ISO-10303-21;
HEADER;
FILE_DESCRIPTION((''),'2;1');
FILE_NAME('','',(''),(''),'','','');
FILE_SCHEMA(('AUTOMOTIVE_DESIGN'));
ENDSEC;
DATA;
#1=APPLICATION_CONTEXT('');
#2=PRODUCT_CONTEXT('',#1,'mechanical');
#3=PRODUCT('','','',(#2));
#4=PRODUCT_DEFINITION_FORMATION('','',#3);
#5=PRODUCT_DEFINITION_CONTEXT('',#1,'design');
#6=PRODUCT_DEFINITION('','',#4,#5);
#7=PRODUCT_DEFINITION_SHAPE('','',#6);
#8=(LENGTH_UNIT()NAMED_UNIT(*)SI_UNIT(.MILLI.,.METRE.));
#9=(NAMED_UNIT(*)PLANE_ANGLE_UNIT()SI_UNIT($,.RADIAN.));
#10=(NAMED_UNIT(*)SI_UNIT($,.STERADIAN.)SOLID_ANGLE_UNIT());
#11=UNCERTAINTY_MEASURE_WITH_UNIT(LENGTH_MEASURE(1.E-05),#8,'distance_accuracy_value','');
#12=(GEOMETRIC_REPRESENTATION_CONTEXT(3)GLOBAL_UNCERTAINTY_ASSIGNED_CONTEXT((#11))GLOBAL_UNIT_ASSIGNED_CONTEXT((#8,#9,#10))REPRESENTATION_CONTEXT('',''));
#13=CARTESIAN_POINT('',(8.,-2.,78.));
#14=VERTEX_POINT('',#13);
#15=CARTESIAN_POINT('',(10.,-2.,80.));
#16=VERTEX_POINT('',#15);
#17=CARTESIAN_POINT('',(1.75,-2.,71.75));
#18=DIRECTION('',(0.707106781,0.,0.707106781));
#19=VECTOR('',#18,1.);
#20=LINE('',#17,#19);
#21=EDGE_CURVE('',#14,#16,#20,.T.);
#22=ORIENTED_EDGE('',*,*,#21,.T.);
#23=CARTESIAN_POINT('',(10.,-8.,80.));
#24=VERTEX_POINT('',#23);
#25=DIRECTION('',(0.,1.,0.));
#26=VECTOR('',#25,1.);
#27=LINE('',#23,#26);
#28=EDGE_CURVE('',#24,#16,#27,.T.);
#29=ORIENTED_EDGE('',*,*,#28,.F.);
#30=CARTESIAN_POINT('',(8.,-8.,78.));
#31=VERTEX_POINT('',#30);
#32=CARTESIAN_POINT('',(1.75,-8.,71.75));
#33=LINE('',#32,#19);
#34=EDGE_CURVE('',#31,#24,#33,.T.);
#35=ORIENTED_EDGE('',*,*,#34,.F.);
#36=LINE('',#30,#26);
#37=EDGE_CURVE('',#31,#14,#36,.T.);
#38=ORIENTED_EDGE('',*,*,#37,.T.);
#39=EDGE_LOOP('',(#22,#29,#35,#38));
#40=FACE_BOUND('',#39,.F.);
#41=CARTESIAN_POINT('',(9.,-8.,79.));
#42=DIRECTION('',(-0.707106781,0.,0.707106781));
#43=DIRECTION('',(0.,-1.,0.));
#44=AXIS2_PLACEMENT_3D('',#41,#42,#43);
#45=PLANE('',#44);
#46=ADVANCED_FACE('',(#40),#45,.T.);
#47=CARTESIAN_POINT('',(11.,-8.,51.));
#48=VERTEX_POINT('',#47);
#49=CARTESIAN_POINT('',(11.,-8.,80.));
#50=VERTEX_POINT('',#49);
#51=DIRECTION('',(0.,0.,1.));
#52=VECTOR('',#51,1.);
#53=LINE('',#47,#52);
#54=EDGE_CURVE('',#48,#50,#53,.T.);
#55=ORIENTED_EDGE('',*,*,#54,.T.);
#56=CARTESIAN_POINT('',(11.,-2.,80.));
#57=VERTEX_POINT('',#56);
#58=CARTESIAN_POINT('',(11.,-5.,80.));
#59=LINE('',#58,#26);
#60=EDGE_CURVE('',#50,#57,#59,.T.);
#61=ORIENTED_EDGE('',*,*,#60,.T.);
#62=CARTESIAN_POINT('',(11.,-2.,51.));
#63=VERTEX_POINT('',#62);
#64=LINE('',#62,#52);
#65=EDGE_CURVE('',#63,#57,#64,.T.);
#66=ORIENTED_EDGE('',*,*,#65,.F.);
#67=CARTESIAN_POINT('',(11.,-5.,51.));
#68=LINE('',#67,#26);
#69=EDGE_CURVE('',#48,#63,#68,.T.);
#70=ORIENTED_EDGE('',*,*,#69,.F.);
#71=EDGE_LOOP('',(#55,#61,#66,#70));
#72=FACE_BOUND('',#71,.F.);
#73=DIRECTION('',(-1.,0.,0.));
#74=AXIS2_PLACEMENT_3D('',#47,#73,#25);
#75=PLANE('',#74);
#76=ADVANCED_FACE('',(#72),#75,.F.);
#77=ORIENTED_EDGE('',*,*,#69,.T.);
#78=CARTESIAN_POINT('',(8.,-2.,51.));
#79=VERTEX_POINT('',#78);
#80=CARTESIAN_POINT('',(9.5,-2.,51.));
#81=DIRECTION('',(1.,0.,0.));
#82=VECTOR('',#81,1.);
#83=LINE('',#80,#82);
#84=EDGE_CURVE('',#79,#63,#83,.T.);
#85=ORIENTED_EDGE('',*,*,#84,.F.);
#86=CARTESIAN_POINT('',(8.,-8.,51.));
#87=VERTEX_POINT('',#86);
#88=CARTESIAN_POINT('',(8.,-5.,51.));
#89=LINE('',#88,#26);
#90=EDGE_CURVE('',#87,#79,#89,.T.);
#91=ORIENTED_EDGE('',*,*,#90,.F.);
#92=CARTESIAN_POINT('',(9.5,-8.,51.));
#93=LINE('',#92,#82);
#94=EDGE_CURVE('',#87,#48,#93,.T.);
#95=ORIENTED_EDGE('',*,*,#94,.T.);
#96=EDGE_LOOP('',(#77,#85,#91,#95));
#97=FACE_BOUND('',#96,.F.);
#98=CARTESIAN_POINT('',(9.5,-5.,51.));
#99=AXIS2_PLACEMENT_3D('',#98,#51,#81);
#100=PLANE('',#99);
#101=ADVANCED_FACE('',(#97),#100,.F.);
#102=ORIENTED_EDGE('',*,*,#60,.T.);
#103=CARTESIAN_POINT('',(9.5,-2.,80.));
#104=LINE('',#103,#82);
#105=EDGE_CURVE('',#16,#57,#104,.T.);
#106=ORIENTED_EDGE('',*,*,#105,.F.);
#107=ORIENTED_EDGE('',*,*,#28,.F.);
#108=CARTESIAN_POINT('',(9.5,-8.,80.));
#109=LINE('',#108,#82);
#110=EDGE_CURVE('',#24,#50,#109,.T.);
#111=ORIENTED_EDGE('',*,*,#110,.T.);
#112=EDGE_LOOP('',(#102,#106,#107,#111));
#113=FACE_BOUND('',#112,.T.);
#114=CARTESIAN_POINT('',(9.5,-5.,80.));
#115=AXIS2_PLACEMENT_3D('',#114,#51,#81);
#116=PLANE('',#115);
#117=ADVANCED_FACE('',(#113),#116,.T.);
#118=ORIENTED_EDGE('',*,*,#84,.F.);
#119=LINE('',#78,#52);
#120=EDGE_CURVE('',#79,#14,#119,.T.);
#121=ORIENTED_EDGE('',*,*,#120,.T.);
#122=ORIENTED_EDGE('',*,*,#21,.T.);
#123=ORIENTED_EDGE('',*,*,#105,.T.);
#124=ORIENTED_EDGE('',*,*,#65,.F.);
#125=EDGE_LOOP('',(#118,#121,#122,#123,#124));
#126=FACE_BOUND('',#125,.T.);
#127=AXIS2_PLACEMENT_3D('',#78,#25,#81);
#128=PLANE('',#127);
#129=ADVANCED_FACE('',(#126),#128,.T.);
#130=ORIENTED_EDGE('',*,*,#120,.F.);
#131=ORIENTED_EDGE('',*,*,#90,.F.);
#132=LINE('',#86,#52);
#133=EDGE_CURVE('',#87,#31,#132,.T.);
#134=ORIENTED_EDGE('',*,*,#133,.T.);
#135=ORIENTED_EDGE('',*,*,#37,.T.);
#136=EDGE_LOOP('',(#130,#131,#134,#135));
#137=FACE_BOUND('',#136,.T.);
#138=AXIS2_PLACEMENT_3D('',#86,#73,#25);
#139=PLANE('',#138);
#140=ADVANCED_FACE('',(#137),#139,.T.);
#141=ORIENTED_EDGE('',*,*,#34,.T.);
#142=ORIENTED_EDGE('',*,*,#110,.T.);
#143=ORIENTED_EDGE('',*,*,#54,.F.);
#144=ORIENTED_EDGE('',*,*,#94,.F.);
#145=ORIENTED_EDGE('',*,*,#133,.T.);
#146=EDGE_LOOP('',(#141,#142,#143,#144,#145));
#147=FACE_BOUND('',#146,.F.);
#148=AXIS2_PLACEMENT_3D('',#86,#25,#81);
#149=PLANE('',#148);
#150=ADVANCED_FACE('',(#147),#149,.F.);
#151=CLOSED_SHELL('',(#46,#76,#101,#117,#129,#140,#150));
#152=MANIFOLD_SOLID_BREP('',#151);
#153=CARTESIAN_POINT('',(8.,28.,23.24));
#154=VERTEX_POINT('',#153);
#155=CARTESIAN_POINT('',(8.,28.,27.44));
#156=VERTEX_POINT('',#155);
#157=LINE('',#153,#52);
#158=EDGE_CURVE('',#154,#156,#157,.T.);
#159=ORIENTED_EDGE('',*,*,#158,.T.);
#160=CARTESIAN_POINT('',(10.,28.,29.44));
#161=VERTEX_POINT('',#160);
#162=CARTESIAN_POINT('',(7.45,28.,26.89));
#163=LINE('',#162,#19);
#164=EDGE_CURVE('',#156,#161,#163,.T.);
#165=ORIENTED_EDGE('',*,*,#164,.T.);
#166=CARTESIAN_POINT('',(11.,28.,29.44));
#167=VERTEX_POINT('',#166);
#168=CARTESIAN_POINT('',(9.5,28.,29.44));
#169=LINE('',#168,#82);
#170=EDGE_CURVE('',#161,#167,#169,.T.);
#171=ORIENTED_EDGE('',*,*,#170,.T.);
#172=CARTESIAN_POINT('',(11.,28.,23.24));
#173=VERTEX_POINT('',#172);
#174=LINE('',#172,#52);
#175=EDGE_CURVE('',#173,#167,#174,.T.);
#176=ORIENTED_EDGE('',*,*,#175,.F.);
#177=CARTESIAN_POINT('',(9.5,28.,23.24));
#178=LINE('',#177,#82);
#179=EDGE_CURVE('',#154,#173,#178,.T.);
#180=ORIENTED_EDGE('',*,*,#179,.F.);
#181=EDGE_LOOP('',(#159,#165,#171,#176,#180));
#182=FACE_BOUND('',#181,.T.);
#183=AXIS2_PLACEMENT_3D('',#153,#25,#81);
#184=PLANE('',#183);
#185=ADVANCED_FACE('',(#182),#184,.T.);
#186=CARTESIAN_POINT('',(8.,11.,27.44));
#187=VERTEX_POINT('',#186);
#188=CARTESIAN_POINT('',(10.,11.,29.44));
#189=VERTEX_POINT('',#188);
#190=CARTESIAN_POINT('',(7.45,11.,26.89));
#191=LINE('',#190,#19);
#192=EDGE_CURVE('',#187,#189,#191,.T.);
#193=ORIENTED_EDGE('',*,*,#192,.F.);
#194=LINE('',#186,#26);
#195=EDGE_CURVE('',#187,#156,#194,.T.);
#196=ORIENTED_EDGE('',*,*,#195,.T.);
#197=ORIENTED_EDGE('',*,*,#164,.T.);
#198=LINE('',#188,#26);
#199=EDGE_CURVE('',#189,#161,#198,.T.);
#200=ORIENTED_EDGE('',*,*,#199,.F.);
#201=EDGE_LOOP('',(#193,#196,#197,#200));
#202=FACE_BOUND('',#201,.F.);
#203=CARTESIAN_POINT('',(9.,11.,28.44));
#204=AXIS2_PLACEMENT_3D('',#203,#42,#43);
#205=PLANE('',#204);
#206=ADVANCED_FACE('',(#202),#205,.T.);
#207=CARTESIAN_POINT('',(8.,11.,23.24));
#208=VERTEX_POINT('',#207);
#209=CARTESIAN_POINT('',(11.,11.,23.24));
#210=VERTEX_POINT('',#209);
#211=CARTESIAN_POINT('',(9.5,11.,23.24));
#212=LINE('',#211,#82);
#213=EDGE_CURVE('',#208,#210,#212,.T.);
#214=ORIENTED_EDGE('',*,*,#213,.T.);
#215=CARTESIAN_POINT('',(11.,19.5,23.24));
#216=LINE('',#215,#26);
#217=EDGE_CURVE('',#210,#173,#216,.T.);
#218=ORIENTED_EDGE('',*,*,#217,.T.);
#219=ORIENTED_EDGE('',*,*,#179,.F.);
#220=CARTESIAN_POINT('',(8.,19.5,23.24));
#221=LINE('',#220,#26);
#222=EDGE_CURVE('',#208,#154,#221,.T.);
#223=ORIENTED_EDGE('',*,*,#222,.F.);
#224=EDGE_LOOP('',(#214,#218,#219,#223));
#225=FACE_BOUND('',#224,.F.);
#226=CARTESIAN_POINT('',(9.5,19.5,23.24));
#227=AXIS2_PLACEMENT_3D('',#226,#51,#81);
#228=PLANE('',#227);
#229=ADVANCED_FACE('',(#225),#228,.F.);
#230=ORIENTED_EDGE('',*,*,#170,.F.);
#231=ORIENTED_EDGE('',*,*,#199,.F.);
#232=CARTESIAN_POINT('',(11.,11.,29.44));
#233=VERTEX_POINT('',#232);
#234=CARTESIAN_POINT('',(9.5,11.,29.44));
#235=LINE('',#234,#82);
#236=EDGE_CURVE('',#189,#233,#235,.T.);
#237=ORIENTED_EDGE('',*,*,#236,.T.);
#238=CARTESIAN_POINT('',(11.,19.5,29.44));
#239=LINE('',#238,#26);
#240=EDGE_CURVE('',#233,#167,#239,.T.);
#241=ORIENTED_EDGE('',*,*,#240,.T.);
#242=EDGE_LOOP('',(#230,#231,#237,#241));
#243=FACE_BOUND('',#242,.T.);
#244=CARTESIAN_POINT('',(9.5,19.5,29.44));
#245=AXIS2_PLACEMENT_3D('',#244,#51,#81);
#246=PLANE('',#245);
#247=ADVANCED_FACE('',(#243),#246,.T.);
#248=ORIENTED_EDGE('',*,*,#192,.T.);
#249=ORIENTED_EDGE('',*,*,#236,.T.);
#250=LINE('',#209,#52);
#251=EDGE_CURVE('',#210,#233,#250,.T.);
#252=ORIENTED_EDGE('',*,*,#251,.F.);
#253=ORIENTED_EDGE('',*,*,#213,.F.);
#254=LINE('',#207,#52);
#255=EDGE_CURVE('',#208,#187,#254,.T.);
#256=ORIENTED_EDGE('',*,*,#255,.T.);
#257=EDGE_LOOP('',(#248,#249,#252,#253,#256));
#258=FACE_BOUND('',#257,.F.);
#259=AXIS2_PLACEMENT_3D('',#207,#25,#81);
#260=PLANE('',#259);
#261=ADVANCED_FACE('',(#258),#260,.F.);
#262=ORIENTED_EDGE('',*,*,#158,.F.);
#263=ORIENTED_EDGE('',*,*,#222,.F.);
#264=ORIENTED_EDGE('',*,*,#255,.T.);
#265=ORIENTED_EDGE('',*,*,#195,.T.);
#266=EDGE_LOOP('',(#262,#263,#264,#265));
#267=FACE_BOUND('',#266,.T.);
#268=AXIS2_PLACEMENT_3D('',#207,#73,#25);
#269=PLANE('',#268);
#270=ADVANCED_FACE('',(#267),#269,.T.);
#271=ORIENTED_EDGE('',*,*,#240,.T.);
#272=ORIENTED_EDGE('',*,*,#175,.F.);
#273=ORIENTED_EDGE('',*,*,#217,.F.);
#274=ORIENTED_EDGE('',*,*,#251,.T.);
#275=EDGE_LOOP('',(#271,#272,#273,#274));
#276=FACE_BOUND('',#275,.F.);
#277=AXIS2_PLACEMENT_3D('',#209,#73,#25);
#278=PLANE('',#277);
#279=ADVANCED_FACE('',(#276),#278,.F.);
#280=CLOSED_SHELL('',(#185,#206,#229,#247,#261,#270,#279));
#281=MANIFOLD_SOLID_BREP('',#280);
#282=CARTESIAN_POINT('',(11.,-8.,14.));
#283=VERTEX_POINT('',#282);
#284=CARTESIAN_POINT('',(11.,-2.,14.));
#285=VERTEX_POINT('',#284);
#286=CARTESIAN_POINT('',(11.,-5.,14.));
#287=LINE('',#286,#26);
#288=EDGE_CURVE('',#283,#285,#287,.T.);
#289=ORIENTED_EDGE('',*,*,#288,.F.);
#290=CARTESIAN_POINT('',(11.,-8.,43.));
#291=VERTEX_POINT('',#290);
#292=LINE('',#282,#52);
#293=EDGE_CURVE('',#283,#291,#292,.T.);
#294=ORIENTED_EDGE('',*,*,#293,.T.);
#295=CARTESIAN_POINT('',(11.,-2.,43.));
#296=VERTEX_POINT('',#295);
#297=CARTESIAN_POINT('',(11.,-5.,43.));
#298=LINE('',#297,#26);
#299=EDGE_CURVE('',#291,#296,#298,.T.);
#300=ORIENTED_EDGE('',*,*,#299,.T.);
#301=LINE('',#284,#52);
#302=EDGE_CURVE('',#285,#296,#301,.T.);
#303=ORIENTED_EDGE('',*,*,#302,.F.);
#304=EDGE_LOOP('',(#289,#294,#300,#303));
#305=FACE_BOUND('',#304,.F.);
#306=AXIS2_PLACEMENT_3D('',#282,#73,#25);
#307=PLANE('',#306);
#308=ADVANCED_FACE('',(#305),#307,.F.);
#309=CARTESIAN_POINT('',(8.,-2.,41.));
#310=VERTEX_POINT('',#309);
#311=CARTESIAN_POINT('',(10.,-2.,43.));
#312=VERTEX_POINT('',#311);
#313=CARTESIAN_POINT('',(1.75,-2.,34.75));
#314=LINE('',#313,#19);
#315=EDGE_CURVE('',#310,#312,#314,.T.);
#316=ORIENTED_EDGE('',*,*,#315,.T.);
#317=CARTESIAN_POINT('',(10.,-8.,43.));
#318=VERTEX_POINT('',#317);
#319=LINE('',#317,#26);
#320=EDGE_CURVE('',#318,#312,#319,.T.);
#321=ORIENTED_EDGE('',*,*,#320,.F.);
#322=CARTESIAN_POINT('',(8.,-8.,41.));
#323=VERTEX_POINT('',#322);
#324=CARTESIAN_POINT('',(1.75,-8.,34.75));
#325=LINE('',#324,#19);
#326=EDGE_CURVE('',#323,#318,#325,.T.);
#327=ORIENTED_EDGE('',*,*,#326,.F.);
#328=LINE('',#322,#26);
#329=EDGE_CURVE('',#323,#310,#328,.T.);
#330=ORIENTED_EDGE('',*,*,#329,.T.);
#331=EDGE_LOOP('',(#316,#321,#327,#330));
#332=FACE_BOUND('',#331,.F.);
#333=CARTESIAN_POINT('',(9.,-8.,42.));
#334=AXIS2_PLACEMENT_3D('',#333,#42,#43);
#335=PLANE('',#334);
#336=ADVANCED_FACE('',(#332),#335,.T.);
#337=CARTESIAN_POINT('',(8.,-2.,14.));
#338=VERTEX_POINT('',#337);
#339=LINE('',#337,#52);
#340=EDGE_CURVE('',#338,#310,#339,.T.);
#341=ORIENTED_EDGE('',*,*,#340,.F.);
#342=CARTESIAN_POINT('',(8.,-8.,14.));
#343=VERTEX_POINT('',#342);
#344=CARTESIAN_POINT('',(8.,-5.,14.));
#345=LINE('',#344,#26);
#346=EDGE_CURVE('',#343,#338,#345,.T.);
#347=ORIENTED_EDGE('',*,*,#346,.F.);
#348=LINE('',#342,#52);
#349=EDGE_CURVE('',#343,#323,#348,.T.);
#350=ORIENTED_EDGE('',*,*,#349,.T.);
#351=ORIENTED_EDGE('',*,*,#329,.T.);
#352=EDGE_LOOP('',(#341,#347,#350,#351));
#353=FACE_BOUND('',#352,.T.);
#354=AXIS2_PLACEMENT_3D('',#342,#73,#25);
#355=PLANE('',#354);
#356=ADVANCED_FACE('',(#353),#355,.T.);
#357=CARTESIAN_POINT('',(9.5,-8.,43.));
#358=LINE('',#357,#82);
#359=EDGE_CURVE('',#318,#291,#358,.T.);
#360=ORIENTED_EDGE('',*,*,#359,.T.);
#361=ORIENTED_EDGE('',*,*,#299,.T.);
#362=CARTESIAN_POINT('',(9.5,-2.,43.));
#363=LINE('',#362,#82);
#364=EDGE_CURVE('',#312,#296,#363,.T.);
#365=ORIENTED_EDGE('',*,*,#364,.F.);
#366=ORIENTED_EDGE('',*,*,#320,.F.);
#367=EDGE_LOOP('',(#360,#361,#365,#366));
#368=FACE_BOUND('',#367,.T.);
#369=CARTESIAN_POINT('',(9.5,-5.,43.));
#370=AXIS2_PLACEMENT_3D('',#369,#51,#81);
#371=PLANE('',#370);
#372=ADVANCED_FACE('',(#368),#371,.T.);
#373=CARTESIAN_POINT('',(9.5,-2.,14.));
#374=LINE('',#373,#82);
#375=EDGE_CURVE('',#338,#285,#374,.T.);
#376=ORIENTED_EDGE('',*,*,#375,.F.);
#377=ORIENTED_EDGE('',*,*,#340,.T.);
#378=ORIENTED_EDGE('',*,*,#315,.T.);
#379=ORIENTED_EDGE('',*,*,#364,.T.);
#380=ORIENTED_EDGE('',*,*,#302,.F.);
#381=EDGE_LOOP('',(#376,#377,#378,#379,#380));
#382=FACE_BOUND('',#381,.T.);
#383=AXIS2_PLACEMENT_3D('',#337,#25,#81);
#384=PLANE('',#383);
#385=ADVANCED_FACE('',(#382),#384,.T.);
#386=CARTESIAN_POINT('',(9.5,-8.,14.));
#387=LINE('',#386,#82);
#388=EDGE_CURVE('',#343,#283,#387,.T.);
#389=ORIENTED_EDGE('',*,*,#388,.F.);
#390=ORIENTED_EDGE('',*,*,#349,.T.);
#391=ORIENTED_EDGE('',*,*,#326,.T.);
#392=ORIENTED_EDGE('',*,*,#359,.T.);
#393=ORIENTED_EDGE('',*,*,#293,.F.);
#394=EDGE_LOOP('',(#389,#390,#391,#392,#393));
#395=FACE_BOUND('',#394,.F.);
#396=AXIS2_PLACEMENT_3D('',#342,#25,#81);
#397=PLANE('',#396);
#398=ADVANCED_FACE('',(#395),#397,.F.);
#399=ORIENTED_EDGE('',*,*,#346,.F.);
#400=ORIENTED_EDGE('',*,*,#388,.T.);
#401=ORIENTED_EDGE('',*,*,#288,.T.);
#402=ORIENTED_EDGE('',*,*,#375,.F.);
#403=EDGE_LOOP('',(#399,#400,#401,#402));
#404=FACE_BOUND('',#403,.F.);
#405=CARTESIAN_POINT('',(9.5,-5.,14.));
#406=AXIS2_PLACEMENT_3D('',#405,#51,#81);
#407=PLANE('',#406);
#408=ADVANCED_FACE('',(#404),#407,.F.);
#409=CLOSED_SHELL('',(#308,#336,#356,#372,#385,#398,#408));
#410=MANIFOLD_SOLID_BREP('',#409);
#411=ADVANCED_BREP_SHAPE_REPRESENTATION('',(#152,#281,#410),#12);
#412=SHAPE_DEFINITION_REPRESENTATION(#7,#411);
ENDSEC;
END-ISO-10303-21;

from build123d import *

# Parameters (mm, degrees)
BOX002_W        = 3
BOX002_H        = 17
BOX002_DEPTH    = 6.2
CHAMFER002_SIZE = 2
BOX_W           = 3
BOX_H           = 6
BOX_DEPTH       = 29
CHAMFER001_SIZE = 2
BOX001_W        = 3
BOX001_H        = 6
BOX001_DEPTH    = 29
CHAMFER_SIZE    = 2


with BuildPart() as chamfer002:
    # Box002 → Box002 (new body)
    with BuildSketch(Plane(origin=(8, 11, 23.24), x_dir=(1, 0, 0), z_dir=(0, 0, 1))):
        with Locations((1.5, 8.5)):
            Rectangle(BOX002_W, BOX002_H)
    extrude(amount=BOX002_DEPTH)

    # Chamfer002
    chamfer002_edges = [chamfer002.edges().sort_by_distance(p)[0] for p in [
        (8, 19.5, 29.44),
    ]]
    chamfer(chamfer002_edges, length=CHAMFER002_SIZE)


with BuildPart() as chamfer001:
    # Box → Box (new body)
    with BuildSketch(Plane(origin=(8, -8, 14), x_dir=(1, 0, 0), z_dir=(0, 0, 1))):
        with Locations((1.5, 3)):
            Rectangle(BOX_W, BOX_H)
    extrude(amount=BOX_DEPTH)

    # Chamfer001
    chamfer001_edges = [chamfer001.edges().sort_by_distance(p)[0] for p in [
        (8, -5, 43),
    ]]
    chamfer(chamfer001_edges, length=CHAMFER001_SIZE)


with BuildPart() as fusion:
    # Box001 → Box001 (new body)
    with BuildSketch(Plane(origin=(8, -8, 51), x_dir=(1, 0, 0), z_dir=(0, 0, 1))):
        with Locations((1.5, 3)):
            Rectangle(BOX001_W, BOX001_H)
    extrude(amount=BOX001_DEPTH)

    # Chamfer
    chamfer_edges = [fusion.edges().sort_by_distance(p)[0] for p in [
        (8, -5, 80),
    ]]
    chamfer(chamfer_edges, length=CHAMFER_SIZE)

    # Fusion: union Chamfer002, Chamfer001
    add(chamfer002.part)
    add(chamfer001.part)


solid = fusion.part
